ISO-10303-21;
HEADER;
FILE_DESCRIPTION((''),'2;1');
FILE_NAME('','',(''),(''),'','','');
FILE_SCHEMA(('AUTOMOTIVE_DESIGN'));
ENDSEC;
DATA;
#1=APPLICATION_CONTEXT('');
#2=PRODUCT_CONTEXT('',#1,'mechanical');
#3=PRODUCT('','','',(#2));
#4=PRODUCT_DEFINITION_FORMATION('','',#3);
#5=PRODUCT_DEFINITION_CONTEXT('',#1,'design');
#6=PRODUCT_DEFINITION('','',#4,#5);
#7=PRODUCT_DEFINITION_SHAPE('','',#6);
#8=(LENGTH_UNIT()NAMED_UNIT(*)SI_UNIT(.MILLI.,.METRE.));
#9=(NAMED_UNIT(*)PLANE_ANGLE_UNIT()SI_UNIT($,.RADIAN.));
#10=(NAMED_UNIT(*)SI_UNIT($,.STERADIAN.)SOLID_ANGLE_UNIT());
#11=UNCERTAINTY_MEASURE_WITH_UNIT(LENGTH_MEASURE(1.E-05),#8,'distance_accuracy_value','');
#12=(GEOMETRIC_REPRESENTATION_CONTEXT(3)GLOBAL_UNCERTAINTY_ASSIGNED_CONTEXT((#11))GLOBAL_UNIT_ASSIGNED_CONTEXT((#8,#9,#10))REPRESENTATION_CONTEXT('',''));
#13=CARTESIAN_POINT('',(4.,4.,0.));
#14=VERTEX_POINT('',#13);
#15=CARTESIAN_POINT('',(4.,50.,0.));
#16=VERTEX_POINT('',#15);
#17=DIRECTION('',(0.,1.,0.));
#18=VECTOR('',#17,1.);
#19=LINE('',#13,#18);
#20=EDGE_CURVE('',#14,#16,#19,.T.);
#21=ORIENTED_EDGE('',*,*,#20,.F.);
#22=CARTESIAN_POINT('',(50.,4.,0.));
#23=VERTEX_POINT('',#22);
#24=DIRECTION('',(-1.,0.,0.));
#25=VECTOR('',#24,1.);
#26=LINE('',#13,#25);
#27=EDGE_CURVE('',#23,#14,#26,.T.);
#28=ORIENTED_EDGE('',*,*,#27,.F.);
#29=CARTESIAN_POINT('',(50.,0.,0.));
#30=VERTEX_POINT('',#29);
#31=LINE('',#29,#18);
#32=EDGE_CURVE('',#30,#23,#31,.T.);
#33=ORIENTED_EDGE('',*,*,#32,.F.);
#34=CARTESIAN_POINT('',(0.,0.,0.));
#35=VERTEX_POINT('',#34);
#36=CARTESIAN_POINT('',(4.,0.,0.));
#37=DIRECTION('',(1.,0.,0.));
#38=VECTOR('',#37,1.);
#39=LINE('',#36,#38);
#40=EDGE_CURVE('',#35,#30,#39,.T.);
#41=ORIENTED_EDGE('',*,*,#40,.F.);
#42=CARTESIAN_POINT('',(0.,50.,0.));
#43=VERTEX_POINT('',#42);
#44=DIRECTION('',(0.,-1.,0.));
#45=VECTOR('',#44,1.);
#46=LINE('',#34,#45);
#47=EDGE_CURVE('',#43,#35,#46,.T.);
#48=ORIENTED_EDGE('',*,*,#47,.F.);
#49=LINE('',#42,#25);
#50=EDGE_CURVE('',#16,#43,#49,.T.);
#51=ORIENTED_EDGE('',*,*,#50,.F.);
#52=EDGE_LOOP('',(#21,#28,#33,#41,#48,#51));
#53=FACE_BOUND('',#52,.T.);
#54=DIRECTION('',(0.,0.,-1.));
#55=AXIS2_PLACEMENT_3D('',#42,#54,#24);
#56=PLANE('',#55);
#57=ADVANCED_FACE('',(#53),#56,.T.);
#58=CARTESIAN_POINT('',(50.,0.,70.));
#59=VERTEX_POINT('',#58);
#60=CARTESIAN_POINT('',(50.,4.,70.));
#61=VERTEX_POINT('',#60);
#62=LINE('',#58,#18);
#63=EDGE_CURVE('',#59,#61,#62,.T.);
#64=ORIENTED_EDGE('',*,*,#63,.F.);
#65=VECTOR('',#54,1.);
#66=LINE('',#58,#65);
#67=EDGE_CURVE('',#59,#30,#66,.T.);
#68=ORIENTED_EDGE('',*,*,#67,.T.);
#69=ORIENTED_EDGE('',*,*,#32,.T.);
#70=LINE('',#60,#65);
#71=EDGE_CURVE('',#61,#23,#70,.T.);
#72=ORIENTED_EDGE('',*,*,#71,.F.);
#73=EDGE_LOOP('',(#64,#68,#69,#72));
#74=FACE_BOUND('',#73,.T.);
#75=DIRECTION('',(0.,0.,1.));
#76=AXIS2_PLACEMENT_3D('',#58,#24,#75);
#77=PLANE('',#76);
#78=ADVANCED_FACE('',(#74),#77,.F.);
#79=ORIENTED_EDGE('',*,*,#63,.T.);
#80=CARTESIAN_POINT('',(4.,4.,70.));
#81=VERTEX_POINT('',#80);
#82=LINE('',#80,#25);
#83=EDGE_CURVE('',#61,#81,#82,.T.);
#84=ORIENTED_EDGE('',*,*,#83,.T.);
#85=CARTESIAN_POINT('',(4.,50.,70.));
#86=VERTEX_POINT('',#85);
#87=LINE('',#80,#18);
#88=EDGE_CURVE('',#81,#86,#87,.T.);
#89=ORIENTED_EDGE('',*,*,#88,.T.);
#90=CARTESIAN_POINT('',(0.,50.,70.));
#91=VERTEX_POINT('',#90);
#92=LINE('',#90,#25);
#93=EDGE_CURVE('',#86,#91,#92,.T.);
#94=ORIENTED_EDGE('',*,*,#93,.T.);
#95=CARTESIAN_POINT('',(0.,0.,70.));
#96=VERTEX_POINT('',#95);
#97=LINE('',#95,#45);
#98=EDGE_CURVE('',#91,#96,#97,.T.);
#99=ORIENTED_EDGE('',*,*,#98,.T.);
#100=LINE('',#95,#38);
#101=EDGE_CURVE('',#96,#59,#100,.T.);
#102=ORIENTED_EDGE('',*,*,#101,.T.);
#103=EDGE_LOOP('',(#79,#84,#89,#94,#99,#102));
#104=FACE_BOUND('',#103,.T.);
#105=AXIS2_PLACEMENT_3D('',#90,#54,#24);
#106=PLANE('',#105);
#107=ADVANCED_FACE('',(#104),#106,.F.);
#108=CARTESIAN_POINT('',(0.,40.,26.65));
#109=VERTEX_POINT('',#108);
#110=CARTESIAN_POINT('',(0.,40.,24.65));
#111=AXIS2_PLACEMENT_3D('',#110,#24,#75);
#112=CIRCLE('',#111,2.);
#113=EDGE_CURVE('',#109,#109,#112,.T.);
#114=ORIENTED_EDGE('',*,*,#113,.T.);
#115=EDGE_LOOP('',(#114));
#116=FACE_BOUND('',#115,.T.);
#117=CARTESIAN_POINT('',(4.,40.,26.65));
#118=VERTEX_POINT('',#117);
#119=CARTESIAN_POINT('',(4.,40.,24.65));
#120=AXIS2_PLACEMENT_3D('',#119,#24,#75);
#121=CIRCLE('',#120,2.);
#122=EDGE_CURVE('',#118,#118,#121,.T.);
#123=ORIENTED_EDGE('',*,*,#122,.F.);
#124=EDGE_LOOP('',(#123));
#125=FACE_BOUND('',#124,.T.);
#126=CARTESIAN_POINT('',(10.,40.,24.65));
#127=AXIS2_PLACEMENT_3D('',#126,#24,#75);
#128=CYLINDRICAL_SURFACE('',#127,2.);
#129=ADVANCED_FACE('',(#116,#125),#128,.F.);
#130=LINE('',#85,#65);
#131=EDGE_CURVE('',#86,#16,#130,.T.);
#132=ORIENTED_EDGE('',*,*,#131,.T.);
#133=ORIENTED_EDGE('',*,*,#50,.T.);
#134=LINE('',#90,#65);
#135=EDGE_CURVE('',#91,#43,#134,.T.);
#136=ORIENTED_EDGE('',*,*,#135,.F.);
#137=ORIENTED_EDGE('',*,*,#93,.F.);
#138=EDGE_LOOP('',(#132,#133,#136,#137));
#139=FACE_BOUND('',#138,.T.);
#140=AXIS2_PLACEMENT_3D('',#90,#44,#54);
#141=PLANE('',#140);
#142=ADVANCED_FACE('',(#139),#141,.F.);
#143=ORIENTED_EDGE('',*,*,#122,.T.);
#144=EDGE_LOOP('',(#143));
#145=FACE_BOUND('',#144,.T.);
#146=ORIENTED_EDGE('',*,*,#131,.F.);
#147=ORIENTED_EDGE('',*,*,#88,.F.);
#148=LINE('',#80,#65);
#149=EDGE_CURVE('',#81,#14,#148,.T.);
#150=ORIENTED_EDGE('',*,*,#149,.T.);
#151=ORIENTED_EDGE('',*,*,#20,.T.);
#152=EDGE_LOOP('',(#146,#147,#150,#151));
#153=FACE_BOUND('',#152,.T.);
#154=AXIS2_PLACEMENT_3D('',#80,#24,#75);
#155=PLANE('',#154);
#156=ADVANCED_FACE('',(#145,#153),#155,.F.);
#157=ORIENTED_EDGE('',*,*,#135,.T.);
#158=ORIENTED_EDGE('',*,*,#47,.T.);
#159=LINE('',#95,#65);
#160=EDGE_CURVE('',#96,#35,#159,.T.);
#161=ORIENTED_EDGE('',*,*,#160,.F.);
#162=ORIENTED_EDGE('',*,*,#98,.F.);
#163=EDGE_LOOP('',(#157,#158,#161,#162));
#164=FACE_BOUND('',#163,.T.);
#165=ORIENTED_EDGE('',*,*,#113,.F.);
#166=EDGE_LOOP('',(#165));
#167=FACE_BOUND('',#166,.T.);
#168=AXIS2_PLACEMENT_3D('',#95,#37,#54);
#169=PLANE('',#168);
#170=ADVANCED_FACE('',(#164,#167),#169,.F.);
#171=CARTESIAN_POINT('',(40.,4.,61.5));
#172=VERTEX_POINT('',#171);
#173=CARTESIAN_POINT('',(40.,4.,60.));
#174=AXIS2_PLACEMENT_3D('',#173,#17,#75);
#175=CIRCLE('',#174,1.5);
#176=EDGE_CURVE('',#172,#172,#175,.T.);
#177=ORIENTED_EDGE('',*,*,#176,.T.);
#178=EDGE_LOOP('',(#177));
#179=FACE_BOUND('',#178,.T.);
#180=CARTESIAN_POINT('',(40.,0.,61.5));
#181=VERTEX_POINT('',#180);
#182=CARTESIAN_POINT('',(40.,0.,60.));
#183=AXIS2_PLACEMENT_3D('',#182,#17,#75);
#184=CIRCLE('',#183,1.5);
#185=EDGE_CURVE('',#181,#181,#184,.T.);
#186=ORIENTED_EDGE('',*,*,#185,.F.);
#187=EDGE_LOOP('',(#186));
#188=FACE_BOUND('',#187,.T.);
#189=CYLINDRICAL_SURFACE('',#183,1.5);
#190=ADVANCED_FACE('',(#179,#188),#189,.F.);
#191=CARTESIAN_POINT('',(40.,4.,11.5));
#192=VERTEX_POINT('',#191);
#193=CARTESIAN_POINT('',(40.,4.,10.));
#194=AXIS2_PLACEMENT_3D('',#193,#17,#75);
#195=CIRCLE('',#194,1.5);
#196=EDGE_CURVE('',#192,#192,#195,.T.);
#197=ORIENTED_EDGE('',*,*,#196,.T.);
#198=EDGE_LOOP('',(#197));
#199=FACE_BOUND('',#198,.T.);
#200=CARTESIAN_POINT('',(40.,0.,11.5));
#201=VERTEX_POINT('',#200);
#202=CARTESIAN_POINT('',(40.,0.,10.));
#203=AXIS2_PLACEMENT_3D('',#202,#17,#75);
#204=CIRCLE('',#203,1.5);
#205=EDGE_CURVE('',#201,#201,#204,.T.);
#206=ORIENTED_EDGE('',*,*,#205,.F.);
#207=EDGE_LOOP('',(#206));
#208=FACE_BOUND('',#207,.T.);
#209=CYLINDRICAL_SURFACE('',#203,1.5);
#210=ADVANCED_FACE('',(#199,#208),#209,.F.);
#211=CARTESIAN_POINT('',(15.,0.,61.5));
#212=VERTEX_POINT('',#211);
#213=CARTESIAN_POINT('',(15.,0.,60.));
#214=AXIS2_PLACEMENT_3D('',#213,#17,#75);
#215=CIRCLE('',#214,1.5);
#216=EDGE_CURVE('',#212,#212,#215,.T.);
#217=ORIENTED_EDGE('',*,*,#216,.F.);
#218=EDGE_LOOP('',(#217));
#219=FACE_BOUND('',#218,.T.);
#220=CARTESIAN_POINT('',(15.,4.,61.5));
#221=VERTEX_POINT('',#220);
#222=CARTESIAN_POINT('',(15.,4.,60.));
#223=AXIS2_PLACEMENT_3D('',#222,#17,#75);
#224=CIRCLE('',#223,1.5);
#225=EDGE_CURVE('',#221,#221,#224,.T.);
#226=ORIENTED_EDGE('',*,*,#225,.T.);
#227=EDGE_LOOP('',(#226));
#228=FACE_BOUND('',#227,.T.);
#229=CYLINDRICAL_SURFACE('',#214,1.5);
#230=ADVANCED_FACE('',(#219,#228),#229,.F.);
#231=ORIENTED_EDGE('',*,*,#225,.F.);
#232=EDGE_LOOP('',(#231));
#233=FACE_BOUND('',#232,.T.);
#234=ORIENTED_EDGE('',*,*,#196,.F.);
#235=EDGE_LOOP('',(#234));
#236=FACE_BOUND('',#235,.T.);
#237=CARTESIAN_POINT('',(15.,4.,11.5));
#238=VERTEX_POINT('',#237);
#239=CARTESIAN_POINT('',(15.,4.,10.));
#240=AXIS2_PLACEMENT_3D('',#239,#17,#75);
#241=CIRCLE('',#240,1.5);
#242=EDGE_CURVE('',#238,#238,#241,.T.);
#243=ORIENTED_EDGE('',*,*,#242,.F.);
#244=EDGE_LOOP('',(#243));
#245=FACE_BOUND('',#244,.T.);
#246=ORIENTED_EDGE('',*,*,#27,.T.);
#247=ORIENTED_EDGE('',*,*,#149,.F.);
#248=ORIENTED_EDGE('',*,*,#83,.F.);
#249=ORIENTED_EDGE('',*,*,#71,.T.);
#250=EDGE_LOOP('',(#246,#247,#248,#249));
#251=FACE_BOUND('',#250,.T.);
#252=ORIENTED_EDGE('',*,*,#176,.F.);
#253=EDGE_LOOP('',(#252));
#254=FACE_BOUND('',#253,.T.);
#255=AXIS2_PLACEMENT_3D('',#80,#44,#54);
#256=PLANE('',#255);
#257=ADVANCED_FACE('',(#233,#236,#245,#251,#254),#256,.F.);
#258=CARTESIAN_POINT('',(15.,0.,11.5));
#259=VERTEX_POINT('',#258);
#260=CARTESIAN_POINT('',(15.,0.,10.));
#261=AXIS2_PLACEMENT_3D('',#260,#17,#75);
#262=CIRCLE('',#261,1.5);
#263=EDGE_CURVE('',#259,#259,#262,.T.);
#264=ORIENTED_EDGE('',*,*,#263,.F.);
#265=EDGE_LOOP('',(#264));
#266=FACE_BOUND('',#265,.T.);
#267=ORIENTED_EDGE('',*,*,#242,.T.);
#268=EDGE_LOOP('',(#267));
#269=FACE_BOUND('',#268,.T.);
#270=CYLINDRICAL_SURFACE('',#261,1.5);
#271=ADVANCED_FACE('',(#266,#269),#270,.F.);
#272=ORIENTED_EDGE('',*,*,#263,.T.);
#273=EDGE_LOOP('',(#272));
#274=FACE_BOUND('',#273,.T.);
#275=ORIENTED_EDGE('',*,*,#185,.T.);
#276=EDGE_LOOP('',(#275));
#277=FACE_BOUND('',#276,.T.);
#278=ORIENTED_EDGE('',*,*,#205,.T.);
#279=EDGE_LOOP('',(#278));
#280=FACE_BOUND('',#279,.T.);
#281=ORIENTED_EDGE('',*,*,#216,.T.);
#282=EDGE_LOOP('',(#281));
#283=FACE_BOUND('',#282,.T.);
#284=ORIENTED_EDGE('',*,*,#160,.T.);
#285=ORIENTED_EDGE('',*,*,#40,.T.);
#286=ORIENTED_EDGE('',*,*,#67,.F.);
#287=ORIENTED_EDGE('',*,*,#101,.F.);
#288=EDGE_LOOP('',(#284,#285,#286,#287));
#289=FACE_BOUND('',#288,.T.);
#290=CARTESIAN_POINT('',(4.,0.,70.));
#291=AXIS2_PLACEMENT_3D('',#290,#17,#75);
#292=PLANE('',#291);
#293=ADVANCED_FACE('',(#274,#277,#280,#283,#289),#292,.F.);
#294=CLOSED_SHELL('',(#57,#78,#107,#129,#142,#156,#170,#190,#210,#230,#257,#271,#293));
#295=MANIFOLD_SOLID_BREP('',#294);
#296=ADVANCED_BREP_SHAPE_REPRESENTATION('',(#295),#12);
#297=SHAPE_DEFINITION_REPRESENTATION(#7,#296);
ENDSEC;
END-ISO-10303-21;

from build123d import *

# Parameters (mm, degrees)
EXTRUSION1_DEPTH                = 70
ESQUISSE2_R                     = 1.5
EXTRUSION2_DEPTH                = 98.549987186
R_P_TITION_LIN_AIRE1_COUNT      = 2
R_P_TITION_LIN_AIRE1_PITCH      = 50
R_P_TITION_LIN_AIRE1_COUNT_DIR2 = 2
R_P_TITION_LIN_AIRE1_PITCH_DIR2 = 25
ESQUISSE3_R                     = 2
ENL_V_MAT_EXTRU_1_DEPTH         = 10


with BuildPart() as part:
    # Esquisse1 → Extrusion1 (new body)
    with BuildSketch(Plane.XY):
        Polygon((0, 0), (4, 0), (50, 0), (50, 4), (4, 4), (4, 50), (0, 50), align=None)
    extrude(amount=EXTRUSION1_DEPTH)

    # Esquisse2 → Extrusion2 (cut, through all)
    with BuildSketch(Plane(origin=(0, 4, 0), x_dir=(1, 0, 0), z_dir=(0, 1, 0))):
        with Locations(Location((40, -60, 0), (0, 0, 270))):
            Circle(ESQUISSE2_R)
    extrusion2 = extrude(amount=-EXTRUSION2_DEPTH, mode=Mode.SUBTRACT)

    # Répétition linéaire1: Extrusion2 2 × 2
    with Locations(*[(-j * R_P_TITION_LIN_AIRE1_PITCH_DIR2, 0, -i * R_P_TITION_LIN_AIRE1_PITCH) for i in range(R_P_TITION_LIN_AIRE1_COUNT) for j in range(R_P_TITION_LIN_AIRE1_COUNT_DIR2) if (i, j) != (0, 0)]):
        add(extrusion2, mode=Mode.SUBTRACT)

    # Esquisse3 → Enlèv. mat.-Extru.1 (cut)
    with BuildSketch(Plane.ZY):
        with Locations((24.65, 40)):
            Circle(ESQUISSE3_R)
    extrude(amount=-ENL_V_MAT_EXTRU_1_DEPTH, mode=Mode.SUBTRACT)


solid = part.part
